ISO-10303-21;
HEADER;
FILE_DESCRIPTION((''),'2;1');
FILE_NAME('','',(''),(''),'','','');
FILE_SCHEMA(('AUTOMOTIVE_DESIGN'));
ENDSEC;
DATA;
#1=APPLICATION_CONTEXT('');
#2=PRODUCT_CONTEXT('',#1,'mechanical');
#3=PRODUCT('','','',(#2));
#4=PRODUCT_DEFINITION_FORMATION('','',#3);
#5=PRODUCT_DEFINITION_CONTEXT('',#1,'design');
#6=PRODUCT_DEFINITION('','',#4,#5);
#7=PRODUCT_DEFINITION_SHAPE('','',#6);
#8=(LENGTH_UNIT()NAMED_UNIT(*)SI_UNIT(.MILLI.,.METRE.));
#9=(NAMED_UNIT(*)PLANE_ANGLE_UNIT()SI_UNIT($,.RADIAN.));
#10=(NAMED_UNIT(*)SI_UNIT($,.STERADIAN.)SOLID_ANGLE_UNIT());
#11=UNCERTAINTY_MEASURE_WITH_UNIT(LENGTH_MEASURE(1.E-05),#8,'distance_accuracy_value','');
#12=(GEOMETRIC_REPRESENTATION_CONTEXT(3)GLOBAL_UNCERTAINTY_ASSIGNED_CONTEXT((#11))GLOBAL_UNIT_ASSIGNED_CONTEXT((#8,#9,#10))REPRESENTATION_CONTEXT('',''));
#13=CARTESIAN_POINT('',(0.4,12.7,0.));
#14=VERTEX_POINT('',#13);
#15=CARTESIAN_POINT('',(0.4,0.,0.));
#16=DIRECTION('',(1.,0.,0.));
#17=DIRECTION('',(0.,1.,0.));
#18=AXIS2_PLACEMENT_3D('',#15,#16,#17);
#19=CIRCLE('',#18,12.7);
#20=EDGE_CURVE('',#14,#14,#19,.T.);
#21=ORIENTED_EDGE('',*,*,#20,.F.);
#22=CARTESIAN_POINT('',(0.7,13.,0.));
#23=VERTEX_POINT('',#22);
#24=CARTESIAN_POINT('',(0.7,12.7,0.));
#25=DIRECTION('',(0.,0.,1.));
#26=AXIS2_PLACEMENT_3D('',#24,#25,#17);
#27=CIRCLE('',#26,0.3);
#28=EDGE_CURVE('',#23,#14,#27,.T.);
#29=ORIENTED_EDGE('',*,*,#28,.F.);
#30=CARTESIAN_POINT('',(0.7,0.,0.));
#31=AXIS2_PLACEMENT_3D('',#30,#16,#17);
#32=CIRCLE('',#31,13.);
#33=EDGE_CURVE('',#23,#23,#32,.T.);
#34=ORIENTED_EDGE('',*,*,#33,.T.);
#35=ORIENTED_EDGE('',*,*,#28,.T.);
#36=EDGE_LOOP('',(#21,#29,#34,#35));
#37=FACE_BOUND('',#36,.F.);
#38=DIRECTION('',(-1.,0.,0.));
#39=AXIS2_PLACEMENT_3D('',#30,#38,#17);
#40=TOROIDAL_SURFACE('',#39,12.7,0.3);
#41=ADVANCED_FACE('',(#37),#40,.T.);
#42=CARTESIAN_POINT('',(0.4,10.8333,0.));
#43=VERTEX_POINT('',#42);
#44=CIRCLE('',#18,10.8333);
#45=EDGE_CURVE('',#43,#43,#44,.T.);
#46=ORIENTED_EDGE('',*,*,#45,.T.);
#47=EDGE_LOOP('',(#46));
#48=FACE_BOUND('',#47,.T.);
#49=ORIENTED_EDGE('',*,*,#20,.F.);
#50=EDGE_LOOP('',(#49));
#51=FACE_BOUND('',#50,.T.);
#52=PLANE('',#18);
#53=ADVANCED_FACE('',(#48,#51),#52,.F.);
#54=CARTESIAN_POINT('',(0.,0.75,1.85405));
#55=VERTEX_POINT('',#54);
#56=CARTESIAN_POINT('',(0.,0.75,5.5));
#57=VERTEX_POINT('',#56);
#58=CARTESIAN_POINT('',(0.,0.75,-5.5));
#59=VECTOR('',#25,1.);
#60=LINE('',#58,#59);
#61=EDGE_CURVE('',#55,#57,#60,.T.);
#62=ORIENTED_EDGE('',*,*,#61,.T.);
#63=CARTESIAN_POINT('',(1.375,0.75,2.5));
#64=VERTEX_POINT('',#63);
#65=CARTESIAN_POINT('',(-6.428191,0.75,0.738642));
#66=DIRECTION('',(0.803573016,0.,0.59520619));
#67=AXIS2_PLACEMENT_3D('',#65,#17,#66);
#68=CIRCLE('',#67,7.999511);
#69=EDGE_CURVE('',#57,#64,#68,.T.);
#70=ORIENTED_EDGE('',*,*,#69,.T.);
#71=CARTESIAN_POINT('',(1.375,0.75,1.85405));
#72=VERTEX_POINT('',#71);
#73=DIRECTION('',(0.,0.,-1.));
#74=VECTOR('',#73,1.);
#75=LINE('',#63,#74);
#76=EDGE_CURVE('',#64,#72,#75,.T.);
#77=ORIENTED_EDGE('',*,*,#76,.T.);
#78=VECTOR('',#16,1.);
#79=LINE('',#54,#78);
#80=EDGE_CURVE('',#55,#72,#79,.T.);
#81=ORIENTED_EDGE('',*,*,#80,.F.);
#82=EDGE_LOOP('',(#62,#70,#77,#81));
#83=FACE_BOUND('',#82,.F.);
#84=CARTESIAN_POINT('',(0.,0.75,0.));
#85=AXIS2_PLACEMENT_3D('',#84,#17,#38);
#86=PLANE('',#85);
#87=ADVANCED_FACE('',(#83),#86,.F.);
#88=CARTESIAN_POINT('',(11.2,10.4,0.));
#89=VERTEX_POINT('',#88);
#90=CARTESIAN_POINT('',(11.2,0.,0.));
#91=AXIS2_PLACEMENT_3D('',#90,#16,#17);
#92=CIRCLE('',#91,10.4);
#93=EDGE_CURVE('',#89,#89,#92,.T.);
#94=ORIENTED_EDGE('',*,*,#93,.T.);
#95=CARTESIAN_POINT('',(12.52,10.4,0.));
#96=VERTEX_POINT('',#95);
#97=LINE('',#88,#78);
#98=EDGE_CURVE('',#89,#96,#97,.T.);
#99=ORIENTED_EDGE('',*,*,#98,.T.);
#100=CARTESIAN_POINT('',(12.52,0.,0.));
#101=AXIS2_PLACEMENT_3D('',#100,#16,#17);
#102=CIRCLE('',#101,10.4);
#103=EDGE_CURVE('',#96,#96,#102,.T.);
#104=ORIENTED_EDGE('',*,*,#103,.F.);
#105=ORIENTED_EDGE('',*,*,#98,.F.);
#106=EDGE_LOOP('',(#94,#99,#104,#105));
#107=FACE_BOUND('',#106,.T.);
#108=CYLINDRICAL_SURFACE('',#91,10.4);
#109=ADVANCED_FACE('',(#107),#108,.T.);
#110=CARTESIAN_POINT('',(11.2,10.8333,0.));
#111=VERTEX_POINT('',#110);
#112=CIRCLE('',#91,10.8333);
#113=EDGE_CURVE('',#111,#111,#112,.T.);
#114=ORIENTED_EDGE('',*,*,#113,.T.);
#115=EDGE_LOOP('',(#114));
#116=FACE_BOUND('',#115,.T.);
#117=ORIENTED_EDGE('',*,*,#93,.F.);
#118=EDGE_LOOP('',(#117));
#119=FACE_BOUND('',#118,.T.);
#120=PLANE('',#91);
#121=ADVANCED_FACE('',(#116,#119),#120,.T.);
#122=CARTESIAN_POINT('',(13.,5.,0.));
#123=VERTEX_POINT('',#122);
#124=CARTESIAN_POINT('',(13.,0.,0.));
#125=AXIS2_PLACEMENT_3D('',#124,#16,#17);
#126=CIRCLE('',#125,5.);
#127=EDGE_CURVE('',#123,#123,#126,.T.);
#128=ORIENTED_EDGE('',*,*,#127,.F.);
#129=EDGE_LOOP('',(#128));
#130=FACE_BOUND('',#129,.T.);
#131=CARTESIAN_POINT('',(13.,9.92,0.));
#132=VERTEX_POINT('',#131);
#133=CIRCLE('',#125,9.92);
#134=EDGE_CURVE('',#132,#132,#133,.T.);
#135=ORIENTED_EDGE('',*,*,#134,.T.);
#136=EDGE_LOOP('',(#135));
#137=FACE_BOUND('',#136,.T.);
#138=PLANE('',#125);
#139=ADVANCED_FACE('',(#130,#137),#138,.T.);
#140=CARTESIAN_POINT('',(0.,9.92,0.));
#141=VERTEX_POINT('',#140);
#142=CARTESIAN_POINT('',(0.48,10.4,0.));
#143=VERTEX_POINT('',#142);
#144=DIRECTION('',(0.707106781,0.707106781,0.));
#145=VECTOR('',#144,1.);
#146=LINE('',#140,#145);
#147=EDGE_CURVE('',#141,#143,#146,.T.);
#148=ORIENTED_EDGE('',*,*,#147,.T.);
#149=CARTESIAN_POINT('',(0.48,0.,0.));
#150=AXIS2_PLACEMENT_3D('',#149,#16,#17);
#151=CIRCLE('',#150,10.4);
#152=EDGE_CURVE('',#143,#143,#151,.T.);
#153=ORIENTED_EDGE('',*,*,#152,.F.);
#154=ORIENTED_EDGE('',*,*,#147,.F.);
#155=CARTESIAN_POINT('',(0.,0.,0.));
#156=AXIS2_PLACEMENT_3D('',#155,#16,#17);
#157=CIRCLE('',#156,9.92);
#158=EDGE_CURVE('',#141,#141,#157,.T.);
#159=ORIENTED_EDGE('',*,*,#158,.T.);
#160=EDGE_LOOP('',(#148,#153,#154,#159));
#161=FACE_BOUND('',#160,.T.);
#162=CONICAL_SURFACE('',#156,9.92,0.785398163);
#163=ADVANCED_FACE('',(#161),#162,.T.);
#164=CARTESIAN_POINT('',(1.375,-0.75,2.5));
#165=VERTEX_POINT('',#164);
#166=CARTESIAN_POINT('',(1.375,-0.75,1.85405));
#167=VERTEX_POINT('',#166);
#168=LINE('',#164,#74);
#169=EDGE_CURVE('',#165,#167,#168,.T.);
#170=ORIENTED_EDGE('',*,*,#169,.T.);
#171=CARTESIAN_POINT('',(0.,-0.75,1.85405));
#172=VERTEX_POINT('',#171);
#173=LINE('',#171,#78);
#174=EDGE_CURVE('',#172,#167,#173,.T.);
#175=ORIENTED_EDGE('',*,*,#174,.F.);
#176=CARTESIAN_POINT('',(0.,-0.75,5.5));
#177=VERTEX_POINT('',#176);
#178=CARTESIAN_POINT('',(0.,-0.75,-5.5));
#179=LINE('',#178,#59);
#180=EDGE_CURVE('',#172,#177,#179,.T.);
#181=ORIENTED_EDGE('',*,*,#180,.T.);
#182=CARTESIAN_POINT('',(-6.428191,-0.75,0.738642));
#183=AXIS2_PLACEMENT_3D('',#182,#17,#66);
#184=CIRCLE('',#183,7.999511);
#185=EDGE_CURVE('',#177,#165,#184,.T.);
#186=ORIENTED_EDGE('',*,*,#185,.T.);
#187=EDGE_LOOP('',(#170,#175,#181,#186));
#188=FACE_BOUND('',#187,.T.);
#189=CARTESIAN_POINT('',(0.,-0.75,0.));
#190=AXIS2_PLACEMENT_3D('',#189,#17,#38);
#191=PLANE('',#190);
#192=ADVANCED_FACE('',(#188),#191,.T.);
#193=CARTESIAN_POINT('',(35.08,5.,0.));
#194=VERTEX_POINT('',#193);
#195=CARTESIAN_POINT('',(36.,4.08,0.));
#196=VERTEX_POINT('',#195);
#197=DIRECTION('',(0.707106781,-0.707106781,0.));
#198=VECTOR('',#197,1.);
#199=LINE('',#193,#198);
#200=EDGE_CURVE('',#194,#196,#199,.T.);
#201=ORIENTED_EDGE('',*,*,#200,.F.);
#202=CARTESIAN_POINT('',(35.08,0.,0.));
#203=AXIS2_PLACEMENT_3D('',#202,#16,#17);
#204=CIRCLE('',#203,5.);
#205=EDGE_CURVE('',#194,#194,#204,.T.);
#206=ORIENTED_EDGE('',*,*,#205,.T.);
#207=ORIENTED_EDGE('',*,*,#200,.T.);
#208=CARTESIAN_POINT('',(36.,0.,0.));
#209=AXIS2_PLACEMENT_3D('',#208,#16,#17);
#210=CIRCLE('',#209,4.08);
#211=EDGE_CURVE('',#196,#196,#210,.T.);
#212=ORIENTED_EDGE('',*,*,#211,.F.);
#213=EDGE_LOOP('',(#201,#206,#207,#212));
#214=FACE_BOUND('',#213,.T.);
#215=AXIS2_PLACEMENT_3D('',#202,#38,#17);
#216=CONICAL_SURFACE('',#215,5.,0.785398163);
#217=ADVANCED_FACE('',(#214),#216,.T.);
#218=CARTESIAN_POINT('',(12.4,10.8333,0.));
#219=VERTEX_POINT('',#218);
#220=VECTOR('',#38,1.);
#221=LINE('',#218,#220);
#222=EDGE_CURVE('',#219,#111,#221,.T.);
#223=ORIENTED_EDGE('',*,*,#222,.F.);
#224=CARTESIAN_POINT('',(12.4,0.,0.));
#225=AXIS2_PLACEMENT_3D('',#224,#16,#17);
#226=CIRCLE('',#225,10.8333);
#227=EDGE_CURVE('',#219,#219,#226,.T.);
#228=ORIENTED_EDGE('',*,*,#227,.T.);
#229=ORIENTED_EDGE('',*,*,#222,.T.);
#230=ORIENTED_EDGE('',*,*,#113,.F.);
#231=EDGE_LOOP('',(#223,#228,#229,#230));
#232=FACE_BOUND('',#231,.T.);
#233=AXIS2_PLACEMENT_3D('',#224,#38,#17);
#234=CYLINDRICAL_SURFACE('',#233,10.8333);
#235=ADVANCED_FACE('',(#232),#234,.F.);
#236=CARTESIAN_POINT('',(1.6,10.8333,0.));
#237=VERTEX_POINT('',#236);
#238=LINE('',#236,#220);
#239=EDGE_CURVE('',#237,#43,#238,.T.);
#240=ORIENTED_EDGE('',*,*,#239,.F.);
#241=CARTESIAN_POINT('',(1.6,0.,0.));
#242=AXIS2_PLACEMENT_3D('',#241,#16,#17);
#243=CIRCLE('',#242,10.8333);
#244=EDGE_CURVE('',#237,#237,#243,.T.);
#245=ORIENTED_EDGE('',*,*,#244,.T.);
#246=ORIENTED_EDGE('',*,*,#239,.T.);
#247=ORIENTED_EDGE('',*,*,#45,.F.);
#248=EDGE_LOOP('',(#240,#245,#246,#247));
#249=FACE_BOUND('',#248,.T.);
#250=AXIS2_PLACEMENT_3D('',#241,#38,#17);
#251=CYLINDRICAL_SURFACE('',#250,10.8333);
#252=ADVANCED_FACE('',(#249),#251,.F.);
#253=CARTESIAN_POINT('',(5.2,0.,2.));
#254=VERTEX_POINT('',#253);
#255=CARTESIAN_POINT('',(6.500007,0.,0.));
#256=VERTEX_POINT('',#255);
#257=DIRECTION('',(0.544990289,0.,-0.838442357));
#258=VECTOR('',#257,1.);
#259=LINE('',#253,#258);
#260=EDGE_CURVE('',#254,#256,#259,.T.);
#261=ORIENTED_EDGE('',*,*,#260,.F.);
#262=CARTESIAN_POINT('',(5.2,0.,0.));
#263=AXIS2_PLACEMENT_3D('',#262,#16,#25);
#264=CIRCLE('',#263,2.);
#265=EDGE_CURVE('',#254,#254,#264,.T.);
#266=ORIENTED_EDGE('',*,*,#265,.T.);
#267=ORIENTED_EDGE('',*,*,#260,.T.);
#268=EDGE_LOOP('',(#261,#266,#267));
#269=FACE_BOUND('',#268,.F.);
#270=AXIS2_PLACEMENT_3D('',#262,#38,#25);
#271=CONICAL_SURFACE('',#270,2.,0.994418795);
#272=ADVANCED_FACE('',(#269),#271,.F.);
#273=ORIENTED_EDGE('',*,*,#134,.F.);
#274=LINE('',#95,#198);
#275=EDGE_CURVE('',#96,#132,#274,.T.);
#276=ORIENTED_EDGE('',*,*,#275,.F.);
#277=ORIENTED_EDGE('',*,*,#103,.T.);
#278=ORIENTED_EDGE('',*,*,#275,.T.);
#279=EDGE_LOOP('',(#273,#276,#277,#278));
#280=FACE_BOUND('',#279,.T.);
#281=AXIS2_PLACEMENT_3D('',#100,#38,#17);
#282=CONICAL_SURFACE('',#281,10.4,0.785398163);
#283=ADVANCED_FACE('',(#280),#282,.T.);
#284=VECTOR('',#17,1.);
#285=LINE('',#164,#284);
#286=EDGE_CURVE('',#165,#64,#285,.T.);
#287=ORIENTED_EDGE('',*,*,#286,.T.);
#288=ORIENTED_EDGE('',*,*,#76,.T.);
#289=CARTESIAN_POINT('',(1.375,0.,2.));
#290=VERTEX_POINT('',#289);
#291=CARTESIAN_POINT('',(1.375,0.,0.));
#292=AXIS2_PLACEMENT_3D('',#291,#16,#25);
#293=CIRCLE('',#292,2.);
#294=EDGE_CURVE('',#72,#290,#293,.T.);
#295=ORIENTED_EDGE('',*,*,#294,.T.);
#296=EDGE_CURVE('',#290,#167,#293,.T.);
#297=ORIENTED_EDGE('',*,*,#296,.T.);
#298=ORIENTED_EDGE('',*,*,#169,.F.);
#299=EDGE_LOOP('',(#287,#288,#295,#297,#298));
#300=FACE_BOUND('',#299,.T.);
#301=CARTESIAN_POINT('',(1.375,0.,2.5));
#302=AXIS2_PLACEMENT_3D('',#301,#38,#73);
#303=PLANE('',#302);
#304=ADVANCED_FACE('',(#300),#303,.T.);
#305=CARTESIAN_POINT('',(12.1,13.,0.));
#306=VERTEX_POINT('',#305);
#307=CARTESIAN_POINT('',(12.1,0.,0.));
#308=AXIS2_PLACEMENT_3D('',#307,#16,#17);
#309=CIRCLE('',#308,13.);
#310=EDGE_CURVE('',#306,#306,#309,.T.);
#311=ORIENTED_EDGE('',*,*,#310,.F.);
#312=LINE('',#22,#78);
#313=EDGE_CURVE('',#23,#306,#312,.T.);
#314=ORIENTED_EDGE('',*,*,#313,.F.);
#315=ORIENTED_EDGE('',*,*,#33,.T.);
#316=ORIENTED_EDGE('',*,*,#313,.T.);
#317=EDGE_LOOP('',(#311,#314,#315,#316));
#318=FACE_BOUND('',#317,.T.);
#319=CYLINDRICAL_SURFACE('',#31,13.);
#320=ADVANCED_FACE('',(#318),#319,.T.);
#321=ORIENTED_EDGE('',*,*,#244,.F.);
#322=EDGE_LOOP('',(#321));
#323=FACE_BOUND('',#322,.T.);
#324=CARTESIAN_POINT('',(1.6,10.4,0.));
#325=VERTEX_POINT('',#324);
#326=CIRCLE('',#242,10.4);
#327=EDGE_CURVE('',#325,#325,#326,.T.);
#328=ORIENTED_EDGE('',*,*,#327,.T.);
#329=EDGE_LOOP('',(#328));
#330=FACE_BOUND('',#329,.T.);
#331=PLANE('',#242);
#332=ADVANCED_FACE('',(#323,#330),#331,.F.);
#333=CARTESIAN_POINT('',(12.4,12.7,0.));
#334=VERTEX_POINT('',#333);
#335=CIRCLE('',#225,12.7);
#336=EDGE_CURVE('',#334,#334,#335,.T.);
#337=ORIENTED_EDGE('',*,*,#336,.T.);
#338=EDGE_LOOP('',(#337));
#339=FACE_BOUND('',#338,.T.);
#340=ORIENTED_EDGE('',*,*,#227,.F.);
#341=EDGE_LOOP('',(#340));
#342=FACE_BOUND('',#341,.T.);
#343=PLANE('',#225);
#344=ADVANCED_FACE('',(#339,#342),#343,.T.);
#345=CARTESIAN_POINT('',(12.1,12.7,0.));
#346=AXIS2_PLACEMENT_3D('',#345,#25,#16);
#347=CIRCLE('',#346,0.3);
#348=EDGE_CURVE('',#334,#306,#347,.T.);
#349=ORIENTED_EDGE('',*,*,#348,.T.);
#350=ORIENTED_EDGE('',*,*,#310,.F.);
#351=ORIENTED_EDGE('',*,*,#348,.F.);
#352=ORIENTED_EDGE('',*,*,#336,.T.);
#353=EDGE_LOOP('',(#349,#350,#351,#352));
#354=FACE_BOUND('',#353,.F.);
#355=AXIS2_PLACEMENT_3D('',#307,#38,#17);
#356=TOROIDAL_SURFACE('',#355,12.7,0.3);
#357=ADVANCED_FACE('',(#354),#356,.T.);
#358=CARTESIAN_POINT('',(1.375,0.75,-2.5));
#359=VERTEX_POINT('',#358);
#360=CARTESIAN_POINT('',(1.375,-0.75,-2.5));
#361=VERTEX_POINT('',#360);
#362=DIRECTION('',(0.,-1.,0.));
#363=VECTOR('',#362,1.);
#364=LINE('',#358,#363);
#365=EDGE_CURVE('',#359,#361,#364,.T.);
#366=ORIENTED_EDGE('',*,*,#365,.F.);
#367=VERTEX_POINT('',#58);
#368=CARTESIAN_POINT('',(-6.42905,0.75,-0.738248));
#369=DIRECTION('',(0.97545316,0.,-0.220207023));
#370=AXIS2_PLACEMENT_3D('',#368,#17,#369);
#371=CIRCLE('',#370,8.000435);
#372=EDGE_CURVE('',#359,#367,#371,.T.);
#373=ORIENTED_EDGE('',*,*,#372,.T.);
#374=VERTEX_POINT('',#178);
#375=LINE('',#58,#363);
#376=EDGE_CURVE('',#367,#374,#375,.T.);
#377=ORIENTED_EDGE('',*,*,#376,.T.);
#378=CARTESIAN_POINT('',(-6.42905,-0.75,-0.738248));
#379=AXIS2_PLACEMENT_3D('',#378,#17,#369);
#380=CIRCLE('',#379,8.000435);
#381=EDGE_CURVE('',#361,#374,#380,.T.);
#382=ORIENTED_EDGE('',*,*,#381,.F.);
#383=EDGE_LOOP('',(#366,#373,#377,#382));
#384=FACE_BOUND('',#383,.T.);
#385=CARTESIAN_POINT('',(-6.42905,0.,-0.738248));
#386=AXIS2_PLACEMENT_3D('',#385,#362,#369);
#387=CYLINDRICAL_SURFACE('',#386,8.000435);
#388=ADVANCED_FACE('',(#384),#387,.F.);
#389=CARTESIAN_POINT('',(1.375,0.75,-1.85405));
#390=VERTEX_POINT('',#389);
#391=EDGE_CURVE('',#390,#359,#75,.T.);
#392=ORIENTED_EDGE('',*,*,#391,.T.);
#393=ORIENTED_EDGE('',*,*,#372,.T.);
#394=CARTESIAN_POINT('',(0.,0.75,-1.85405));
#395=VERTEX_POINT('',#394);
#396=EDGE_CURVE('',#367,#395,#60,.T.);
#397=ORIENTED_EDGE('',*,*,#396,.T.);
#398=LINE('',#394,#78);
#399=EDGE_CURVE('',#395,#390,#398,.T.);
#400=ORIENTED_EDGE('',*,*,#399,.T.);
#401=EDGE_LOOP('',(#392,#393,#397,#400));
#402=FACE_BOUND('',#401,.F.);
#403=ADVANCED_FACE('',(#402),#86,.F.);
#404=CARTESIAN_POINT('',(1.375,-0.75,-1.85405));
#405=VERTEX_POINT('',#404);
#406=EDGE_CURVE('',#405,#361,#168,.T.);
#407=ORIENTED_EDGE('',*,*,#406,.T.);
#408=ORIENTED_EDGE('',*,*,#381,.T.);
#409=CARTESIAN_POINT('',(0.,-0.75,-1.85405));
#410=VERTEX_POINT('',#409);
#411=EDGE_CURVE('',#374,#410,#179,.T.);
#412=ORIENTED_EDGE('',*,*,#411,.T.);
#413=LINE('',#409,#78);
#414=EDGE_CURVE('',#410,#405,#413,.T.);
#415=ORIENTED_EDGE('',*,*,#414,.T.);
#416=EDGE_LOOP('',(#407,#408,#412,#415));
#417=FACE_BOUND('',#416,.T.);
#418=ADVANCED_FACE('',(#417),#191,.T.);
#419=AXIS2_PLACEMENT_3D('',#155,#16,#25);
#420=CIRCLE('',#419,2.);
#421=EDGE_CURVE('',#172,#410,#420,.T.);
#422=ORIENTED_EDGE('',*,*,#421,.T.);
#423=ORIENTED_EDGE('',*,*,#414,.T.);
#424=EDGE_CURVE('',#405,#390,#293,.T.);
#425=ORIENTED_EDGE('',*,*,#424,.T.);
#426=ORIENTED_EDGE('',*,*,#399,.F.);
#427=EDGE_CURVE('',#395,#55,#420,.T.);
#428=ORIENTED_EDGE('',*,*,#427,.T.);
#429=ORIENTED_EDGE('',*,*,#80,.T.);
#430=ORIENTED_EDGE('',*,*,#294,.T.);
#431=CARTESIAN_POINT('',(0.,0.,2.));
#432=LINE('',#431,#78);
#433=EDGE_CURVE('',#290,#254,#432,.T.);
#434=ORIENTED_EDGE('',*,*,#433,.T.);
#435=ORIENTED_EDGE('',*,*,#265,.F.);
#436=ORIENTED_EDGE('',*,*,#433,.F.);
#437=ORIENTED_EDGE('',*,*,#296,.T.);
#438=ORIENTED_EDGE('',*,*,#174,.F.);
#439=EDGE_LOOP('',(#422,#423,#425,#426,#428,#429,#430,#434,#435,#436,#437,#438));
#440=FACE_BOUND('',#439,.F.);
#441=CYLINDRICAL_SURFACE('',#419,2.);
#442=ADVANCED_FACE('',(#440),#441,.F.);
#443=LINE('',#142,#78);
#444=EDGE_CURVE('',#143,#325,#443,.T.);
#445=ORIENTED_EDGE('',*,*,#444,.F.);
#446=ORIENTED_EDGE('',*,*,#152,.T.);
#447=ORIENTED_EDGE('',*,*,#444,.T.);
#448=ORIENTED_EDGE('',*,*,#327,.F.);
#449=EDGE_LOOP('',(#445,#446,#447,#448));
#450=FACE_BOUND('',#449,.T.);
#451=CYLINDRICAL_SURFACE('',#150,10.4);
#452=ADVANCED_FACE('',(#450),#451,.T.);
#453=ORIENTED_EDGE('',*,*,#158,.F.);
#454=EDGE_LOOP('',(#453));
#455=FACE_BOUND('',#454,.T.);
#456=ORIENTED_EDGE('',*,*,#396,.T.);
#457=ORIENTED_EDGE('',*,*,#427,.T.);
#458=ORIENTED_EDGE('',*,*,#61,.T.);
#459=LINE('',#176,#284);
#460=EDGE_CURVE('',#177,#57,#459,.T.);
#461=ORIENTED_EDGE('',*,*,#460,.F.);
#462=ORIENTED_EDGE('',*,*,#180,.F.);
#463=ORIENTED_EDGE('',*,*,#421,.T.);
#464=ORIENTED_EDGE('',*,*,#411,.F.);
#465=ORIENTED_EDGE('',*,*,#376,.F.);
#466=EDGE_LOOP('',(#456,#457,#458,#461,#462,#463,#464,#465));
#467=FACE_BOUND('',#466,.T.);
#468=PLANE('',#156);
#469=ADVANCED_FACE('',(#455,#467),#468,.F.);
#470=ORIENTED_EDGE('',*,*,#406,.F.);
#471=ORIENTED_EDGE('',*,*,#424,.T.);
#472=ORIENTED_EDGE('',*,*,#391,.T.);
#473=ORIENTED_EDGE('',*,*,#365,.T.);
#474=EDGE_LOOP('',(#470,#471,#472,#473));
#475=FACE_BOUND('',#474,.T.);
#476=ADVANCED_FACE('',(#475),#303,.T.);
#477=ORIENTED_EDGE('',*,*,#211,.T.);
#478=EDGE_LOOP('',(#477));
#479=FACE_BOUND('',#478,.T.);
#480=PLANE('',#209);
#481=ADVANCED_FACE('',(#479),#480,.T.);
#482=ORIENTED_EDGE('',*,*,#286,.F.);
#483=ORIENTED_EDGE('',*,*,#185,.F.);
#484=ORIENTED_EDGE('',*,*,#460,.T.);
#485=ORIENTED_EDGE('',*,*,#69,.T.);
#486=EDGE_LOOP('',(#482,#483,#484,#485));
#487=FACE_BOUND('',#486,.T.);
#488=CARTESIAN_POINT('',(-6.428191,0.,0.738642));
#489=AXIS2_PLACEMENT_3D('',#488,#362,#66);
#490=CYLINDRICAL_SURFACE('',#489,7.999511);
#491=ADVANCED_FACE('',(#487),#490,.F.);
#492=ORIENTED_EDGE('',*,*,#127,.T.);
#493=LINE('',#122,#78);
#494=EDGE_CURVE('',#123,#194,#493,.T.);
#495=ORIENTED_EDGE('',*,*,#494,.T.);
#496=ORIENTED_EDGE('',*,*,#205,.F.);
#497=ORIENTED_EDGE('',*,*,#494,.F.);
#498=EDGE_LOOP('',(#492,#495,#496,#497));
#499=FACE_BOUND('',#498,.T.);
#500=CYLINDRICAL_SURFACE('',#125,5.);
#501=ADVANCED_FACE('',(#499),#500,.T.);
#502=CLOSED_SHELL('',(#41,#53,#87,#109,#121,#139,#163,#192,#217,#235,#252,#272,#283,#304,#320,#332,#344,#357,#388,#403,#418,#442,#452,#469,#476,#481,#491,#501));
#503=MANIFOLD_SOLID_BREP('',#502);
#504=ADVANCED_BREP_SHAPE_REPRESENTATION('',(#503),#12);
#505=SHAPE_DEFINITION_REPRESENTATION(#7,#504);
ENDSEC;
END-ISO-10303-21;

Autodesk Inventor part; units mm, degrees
sketch "Sketch_1" plane through (0, 0, 0) normal (0, 0, 1) x (1, 0, 0)
  line L0 (36, 0) -> (0, 0)
  line L1 (0, 0) -> (0, 9.92)
  line L2 (0, 9.92) -> (0.48, 10.4)
  line L3 (0.48, 10.4) -> (1.6, 10.4)
  line L4 (1.6, 10.4) -> (1.6, 10.8333)
  line L5 (1.6, 10.8333) -> (0.4, 10.8333)
  line L6 (0.4, 10.8333) -> (0.4, 12.7)
  arc A0 (0.7, 13) -> (0.4, 12.7) centre (0.7, 12.7) ccw
  line L7 (0.7, 13) -> (12.1, 13)
  arc A1 (12.4, 12.7) -> (12.1, 13) centre (12.1, 12.7) ccw
  line L8 (12.4, 12.7) -> (12.4, 10.8333)
  line L9 (12.4, 10.8333) -> (11.2, 10.8333)
  line L10 (11.2, 10.8333) -> (11.2, 10.4)
  line L11 (11.2, 10.4) -> (12.52, 10.4)
  line L12 (12.52, 10.4) -> (13, 9.92)
  line L13 (13, 9.92) -> (13, 5)
  line L14 (13, 5) -> (35.08, 5)
  line L15 (35.08, 5) -> (36, 4.08)
  line L16 (36, 4.08) -> (36, 0)
  line L17 (36, 0) -> (0, 0)
revolve "Revolution1" add sketch "Sketch_1" angle 360 about axis through (36, 0, 0) along (1, 0, 0)
thread "Thread1" size "M10x1.5" class "6g" standard "ISO Metric profile" length 11.08
sketch "Sketch2" plane through (0, 0, 0) normal (-1, 0, 0) x (0, 0, 1)
  point P0 (0, 0)
hole "Hole1" at (0, 0, 0) direction (1, 0, 0) diameter 4 depth 5.2 tip angle 113.952
sketch "Sketch_5" plane through (0, 0, 0) normal (0, 1, 0) x (-1, 0, 0)
  arc A0 (0, 5.5) -> (-1.375, 2.5) centre (6.4286, 0.7384) ccw
  line L0 (-1.375, 2.5) -> (-1.375, -2.5)
  arc A1 (-1.375, -2.5) -> (0, -5.5) centre (6.4286, -0.7384) ccw
  line L1 (0, -5.5) -> (0, 5.5)
extrude "Extrusion1" cut sketch "Sketch_5" along normal mid plane 1.5
ref_plane "IP_dummy_XY" through (0, 0, 0) normal (1, 0, 0) x (0, 0, -1)
ref_plane "IP_dummy_YZ" through (0, 0, 0) normal (0, 0, -1) x (0, 1, 0)
ref_plane "IP_dummy_ZX" through (0, 0, 0) normal (0, 1, 0) x (1, 0, 0)
ref_plane "IP_grease_nipple_XY" through (0, 0, 0) normal (1, 0, 0) x (0, 0, -1)
ref_plane "IP_grease_nipple_YZ" through (0, 0, 0) normal (0, 0, -1) x (0, 1, 0)
ref_plane "IP_grease_nipple_ZX" through (0, 0, 0) normal (0, 1, 0) x (1, 0, 0)
properties part number "CAM FOLLOWER"
